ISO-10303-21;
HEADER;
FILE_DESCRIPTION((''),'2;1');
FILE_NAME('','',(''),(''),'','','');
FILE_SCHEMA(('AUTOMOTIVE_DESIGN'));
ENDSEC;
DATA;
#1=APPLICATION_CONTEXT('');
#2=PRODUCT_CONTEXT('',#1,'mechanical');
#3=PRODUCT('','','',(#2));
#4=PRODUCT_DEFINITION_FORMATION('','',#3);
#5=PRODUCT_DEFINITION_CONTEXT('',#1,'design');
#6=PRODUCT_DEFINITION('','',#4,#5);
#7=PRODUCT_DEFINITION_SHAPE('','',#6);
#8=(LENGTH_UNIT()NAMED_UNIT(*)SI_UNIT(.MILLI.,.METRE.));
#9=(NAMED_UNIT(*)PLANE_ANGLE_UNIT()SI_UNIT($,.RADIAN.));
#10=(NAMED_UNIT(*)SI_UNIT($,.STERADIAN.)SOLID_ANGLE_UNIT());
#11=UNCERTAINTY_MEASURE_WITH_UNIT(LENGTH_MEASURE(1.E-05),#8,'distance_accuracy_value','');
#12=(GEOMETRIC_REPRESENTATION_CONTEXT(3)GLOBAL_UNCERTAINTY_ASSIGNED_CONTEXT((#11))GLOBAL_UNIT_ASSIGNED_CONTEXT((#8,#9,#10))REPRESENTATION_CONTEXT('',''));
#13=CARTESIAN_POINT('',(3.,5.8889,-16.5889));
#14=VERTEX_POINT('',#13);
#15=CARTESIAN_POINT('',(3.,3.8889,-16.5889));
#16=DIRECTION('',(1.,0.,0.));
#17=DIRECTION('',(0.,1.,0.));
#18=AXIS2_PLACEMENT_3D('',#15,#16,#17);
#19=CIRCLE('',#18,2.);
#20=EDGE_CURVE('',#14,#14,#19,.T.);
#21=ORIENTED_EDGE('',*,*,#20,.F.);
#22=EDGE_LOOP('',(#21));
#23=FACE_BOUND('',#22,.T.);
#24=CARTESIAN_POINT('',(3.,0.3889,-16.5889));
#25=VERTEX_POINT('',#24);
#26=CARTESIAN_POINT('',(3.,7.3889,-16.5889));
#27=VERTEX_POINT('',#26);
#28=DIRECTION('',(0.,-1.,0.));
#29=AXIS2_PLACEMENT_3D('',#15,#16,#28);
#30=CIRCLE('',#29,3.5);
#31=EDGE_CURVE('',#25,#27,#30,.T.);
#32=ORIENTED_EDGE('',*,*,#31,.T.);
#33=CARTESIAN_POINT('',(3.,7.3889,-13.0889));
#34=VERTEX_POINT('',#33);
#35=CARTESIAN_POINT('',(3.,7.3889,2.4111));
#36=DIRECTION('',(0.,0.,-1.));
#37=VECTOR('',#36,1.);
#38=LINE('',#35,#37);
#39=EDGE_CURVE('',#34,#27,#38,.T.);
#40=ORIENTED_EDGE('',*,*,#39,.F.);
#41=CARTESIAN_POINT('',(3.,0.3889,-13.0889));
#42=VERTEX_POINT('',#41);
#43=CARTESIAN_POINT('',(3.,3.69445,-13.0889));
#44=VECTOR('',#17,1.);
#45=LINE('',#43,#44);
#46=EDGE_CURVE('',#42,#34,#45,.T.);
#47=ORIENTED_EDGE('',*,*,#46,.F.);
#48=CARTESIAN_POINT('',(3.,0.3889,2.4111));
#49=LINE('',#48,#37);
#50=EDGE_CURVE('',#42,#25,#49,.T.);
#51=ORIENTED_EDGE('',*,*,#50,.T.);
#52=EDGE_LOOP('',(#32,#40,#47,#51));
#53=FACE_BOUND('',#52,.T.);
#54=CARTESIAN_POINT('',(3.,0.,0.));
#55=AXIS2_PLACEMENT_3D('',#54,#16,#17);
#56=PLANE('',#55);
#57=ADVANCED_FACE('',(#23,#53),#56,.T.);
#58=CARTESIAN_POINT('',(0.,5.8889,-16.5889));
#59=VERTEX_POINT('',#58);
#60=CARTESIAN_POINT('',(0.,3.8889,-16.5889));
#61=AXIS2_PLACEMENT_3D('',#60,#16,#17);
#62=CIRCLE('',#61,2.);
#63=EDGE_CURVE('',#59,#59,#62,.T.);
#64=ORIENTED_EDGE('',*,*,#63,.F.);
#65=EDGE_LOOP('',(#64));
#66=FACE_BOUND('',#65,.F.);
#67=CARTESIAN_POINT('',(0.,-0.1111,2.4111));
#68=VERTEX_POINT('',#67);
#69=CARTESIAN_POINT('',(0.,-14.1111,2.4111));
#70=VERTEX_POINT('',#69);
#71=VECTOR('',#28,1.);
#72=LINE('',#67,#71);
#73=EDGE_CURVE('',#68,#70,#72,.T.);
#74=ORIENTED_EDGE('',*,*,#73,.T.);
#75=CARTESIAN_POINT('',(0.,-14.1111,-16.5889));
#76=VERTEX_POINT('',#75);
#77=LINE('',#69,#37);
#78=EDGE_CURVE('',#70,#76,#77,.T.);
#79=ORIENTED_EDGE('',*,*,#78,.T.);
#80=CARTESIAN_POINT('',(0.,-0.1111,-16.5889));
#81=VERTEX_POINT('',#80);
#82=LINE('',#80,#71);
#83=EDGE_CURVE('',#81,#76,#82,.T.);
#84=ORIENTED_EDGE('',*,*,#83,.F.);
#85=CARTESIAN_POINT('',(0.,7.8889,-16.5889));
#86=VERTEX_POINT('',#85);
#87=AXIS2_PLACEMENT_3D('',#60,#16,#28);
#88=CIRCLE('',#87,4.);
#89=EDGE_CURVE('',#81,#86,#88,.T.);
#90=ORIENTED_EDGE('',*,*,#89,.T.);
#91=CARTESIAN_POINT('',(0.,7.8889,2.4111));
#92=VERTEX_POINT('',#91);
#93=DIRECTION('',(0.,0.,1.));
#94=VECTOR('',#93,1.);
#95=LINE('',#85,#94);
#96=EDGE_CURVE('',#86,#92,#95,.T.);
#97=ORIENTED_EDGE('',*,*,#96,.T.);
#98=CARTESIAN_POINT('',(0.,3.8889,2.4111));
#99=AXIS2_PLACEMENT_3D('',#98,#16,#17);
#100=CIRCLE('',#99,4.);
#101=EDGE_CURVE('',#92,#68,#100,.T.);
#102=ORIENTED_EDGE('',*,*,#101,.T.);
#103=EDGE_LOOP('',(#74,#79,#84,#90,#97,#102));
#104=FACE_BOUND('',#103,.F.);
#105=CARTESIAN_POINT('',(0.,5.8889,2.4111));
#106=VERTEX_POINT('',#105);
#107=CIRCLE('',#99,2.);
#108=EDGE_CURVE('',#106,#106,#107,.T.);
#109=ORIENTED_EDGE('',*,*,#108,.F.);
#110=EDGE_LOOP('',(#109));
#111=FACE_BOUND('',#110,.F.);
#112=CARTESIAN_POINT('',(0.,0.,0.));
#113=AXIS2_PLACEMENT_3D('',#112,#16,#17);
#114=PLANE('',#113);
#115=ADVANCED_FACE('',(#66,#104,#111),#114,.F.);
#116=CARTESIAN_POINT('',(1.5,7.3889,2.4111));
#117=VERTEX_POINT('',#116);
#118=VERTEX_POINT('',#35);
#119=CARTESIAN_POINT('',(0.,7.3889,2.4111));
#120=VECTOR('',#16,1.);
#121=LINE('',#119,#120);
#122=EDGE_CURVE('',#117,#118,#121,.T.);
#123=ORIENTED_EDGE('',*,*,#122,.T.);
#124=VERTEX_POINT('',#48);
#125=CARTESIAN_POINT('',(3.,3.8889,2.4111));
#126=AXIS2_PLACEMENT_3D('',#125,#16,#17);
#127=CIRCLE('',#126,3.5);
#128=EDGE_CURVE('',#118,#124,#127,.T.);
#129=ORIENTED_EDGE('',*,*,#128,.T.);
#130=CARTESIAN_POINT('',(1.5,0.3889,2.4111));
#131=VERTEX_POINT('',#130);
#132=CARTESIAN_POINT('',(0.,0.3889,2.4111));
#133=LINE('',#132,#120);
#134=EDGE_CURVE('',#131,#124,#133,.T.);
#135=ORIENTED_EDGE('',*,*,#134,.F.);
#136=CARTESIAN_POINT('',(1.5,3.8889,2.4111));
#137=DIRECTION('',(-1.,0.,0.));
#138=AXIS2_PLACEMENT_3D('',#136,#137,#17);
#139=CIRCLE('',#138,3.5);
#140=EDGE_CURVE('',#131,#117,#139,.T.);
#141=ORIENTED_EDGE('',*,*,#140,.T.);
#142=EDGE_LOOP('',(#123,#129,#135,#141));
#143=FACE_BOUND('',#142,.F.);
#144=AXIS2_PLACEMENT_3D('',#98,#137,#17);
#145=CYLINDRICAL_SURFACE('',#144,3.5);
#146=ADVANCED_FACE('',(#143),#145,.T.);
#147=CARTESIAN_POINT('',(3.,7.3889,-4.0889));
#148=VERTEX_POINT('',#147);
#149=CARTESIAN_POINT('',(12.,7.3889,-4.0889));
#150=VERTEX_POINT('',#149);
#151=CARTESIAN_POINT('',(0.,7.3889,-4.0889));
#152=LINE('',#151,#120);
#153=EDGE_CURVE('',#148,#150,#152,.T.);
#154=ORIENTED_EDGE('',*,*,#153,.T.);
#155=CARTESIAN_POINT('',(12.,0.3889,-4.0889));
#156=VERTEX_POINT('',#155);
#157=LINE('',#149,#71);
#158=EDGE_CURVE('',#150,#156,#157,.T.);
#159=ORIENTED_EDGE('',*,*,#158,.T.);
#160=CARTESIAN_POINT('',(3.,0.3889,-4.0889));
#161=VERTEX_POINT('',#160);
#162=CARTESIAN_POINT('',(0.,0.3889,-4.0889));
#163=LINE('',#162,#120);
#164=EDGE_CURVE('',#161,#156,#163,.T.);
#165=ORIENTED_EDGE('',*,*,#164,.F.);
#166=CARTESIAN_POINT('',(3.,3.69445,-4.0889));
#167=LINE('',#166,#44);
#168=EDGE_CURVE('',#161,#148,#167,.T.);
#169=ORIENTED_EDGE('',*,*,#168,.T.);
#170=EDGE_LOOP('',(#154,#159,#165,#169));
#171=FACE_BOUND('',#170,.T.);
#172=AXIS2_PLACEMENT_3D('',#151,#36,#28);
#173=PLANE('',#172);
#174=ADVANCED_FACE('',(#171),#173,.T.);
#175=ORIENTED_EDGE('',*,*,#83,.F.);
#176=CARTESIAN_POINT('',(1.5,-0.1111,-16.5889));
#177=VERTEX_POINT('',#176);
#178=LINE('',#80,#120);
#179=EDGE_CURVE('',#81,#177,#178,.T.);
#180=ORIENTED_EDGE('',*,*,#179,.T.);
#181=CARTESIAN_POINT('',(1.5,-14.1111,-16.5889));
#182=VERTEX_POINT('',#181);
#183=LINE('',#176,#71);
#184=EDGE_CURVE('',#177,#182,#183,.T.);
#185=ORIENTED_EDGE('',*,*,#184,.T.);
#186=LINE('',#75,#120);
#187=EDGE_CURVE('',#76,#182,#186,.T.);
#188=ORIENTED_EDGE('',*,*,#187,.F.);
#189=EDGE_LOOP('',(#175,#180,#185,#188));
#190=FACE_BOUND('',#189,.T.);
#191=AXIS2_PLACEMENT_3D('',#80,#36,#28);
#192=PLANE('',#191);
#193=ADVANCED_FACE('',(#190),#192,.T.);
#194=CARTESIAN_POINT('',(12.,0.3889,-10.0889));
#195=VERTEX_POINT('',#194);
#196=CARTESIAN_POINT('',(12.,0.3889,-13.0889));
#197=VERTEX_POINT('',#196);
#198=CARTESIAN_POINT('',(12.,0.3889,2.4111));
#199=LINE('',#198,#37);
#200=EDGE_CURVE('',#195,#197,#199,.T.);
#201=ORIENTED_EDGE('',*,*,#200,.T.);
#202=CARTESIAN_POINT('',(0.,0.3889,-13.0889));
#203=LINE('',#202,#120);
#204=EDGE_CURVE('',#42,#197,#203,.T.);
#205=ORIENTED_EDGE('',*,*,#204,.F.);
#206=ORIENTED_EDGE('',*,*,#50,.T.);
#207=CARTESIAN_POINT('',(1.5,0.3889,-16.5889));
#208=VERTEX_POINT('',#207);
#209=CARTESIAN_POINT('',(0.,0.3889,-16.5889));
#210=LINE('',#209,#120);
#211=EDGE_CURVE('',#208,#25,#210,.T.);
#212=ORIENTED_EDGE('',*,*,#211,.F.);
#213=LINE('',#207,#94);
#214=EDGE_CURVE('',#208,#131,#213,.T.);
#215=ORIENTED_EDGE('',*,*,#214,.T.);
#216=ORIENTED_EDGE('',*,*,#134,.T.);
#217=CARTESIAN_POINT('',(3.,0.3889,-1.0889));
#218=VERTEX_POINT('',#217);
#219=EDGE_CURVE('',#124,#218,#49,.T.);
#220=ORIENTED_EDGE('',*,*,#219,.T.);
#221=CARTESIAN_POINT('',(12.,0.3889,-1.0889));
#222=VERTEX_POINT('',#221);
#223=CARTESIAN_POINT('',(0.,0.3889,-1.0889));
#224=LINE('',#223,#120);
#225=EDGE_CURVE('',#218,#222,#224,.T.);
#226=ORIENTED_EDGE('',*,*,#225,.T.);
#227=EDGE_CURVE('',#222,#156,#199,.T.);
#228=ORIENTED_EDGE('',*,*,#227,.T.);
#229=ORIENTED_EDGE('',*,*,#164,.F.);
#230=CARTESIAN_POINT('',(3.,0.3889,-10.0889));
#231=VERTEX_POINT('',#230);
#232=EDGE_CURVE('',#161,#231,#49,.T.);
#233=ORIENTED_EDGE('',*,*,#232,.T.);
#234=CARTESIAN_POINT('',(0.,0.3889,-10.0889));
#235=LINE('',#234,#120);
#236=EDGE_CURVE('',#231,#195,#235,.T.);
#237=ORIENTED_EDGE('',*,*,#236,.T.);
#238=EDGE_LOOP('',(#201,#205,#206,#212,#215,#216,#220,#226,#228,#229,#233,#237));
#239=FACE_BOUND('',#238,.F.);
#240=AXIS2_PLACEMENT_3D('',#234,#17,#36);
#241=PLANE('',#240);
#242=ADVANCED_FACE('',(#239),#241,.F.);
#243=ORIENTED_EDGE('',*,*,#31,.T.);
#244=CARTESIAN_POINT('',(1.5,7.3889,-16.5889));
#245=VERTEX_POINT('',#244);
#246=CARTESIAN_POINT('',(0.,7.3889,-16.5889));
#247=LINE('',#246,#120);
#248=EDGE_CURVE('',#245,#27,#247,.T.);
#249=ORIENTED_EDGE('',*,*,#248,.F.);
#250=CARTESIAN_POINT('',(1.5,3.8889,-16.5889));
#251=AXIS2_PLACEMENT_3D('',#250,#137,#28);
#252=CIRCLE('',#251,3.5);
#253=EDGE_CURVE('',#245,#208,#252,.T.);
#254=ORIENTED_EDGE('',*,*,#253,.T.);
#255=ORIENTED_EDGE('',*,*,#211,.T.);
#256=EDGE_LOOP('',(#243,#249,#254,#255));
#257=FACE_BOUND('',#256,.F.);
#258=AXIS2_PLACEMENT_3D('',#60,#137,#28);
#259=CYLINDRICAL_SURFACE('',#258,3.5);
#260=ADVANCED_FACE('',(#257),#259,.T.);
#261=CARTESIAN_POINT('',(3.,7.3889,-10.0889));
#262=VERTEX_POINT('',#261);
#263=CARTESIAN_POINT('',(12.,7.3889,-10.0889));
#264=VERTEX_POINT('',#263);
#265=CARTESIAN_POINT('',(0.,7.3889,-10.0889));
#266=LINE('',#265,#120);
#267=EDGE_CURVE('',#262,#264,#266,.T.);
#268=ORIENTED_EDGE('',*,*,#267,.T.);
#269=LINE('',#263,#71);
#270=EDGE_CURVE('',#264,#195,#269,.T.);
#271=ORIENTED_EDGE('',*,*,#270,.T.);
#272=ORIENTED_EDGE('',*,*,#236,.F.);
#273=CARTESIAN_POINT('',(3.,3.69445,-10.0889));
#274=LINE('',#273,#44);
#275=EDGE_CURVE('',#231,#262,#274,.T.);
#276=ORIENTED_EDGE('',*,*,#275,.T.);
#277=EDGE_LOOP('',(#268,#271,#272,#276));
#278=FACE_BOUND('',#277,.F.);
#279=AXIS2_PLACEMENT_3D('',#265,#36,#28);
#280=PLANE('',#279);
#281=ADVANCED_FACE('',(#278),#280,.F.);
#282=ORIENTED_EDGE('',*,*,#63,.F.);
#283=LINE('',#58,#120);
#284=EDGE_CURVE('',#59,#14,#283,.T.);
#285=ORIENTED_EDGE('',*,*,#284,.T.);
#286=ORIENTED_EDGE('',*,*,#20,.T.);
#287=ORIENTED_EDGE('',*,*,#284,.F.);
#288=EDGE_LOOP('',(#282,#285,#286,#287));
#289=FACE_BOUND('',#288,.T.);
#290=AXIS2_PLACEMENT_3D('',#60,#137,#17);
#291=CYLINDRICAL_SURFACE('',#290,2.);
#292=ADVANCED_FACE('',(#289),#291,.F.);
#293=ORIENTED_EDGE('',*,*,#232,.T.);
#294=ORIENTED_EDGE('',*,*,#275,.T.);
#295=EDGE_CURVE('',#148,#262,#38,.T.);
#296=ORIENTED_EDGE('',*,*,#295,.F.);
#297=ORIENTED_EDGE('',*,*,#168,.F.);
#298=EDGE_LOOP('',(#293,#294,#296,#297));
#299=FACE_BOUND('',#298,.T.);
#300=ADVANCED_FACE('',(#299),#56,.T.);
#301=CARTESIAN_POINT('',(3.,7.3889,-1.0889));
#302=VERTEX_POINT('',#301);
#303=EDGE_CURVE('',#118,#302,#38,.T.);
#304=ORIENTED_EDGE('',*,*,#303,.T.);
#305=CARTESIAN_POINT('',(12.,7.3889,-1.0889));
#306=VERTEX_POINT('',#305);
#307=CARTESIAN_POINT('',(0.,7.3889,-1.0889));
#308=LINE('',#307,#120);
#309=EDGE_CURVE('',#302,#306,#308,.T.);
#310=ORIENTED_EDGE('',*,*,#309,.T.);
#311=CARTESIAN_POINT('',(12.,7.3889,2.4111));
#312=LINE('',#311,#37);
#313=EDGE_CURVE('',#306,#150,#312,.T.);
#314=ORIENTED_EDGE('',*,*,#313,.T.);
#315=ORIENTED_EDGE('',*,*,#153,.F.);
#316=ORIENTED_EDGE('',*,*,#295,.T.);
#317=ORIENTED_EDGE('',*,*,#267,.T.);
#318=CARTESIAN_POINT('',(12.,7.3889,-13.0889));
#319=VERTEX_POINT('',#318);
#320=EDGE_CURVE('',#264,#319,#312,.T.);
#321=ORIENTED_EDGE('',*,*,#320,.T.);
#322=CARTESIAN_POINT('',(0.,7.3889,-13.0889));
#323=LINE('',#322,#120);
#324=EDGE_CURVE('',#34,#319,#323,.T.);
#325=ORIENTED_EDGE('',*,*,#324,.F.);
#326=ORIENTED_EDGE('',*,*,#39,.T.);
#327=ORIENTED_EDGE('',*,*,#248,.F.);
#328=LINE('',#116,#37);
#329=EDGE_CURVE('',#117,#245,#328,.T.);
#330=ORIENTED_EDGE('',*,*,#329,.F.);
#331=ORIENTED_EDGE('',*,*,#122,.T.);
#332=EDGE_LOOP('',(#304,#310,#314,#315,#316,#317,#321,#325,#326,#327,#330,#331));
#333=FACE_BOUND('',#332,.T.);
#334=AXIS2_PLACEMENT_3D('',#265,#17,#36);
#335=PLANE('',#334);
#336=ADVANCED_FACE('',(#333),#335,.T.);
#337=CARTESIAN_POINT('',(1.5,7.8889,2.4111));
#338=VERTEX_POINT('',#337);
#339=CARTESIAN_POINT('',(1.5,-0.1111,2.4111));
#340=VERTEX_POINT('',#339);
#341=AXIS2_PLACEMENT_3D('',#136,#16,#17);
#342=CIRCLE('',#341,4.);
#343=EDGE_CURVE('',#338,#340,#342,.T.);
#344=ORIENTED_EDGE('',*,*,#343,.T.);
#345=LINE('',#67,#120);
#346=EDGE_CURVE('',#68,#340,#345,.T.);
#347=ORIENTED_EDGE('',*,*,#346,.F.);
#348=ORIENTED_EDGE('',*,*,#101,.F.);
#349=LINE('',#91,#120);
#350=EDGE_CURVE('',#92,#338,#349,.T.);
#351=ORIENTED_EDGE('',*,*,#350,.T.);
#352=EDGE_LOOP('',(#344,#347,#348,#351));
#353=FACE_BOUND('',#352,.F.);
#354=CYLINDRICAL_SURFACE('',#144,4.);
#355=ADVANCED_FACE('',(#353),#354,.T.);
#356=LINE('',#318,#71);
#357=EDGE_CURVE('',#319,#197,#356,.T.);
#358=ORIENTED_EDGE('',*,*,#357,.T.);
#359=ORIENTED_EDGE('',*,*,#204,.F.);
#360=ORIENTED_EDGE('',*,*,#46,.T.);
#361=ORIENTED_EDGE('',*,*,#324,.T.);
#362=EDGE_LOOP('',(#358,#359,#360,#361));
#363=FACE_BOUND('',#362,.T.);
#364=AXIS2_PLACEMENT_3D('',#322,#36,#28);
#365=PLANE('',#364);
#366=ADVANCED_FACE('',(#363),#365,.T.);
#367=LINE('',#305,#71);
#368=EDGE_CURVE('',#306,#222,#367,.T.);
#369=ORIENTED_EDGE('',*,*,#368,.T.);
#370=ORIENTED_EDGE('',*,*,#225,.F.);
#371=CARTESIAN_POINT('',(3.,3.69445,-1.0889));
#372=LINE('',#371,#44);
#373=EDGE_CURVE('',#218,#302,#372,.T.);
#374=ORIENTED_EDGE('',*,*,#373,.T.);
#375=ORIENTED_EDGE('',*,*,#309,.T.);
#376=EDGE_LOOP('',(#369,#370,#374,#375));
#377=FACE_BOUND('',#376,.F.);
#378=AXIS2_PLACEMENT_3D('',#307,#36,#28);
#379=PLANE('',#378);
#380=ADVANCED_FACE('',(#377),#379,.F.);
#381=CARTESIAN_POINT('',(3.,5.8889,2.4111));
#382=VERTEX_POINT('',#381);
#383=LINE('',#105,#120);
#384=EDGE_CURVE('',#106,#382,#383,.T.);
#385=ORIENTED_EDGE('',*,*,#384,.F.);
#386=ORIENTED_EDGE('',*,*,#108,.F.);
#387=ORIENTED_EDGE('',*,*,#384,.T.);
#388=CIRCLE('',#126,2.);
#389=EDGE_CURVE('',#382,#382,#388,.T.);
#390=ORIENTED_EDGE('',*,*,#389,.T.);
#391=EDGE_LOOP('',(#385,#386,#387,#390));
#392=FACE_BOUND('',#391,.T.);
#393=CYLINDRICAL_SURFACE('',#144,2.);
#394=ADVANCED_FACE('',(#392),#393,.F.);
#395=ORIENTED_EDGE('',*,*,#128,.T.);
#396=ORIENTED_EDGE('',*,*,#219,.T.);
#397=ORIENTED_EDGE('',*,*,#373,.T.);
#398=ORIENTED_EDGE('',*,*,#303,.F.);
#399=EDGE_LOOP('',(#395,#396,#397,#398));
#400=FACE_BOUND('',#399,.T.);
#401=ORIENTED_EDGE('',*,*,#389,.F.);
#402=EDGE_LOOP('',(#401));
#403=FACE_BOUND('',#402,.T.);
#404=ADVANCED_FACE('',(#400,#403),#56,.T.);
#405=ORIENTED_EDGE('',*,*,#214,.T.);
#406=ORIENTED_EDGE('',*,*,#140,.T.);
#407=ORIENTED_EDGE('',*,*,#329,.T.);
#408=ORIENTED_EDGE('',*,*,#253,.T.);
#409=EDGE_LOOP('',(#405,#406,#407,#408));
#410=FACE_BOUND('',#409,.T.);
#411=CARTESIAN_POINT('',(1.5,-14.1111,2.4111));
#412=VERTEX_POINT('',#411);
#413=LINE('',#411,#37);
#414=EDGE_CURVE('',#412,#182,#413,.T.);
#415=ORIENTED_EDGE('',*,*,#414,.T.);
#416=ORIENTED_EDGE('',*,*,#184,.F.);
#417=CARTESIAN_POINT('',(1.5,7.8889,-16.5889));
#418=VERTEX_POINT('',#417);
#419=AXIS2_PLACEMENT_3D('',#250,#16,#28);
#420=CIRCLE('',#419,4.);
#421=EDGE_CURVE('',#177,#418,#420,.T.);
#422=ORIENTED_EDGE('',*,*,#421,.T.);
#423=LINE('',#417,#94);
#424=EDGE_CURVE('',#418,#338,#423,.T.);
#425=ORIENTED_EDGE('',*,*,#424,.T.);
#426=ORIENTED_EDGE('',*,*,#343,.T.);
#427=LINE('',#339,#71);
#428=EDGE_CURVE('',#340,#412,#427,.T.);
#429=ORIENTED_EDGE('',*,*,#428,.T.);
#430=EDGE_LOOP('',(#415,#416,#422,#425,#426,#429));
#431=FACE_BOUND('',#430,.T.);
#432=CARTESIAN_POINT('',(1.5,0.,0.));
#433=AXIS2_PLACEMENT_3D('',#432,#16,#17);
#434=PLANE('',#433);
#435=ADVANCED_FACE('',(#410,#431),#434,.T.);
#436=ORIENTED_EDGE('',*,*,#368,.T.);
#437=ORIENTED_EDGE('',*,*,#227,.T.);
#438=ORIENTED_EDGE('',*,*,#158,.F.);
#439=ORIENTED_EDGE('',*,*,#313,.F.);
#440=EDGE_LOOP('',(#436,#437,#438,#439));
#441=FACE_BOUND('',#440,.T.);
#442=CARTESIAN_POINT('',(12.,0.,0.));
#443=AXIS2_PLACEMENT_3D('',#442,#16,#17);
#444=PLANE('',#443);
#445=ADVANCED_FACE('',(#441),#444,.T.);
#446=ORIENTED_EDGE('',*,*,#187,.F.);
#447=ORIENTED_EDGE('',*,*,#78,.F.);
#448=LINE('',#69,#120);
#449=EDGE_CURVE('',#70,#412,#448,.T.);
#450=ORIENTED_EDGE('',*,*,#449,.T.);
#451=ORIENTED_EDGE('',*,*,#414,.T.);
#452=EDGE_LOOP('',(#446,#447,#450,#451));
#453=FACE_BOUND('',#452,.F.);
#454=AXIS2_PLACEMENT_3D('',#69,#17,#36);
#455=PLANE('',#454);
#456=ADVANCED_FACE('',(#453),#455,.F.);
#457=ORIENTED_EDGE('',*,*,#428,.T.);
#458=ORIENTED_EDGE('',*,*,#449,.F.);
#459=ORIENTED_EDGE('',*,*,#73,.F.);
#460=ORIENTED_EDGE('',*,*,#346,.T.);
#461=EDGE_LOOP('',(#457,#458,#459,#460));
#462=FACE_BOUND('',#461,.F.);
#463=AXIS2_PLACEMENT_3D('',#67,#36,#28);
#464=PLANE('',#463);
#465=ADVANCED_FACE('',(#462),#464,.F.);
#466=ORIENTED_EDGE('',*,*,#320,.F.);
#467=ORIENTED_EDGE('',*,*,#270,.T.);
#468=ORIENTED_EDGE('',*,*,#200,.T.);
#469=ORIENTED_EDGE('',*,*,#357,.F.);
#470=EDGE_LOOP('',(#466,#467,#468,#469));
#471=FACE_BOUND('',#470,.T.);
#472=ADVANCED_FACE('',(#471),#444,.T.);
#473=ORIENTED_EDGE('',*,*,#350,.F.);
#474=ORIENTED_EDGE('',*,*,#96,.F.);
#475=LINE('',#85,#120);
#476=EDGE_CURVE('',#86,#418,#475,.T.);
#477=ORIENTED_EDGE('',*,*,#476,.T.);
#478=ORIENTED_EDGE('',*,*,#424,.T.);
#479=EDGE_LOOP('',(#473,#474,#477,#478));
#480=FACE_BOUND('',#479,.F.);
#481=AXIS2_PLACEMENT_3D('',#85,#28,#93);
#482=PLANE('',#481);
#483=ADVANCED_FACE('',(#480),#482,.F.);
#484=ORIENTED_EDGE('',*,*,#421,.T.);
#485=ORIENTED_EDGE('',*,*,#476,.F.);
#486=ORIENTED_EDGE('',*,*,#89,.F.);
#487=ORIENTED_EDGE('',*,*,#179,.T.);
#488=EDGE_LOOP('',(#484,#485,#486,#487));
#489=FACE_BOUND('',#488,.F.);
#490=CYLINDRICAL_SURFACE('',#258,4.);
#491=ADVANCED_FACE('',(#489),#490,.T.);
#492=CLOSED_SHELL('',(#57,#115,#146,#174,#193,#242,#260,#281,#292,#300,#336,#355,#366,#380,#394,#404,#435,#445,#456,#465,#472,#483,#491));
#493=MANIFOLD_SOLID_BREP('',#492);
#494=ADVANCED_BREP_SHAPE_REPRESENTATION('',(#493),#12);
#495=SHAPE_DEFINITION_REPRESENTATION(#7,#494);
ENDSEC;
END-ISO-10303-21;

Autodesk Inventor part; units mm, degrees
ref_plane "YZ Plane" through (0, 0, 0) normal (1, 0, 0) x (0, 1, 0)
ref_plane "XZ Plane" through (0, 0, 0) normal (0, 1, 0) x (-1, 0, 0)
ref_plane "XY Plane" through (0, 0, 0) normal (0, 0, 1) x (1, 0, 0)
sketch "Sketch1" plane through (0, 0, 0) normal (1, 0, 0) x (0, 1, 0)
  line L0 (-14.1111, 2.4111) -> (-14.1111, -16.5889)
  line L1 (7.8889, -16.5889) -> (7.8889, 2.4111)
  arc A0 (7.8889, 2.4111) -> (-0.1111, 2.4111) centre (3.8889, 2.4111) ccw
  arc A1 (-0.1111, -16.5889) -> (7.8889, -16.5889) centre (3.8889, -16.5889) ccw
  line L2 (-0.1111, 2.4111) -> (-14.1111, 2.4111)
  line L3 (-0.1111, -16.5889) -> (-14.1111, -16.5889)
  line L4 (7.3889, -10.0889) -> (0.3889, -10.0889)
  line L5 (7.3889, -13.0889) -> (0.3889, -13.0889)
  line L6 (7.3889, -4.0889) -> (0.3889, -4.0889)
  line L7 (7.3889, -1.0889) -> (0.3889, -1.0889)
  line L8 (7.3889, 2.4111) -> (7.3889, -16.5889)
  arc A2 (0.3889, -16.5889) -> (7.3889, -16.5889) centre (3.8889, -16.5889) ccw
  arc A3 (7.3889, 2.4111) -> (0.3889, 2.4111) centre (3.8889, 2.4111) ccw
  line L9 (0.3889, 2.4111) -> (0.3889, -16.5889)
  circle A4 centre (3.8889, 2.4111) radius 2
  circle A5 centre (3.8889, -16.5889) radius 2
  point P0 (0, 0)
  dimension "d5" = 0.5
  dimension "d6" = 4
  dimension "d7" = 4
extrude "Extrusion1" add sketch "Sketch1" along normal blind 1.5 contours L2 A0 L1 A1 L3 L0 | L8 L5 L9 L4 | L4 L9 L6 L8 | L6 L9 L7 L8 | L8 A2 L9 L5 | L7 L9 A3 L8
extrude "Extrusion2" add sketch "Sketch1" along normal blind 3 contours L8 L5 L9 L4 | L4 L9 L6 L8 | L6 L9 L7 L8 | L8 A2 L9 L5 | L7 L9 A3 L8
extrude "Extrusion3" add sketch "Sketch1" along normal blind 12 contours L8 L5 L9 L4 | L6 L9 L7 L8
properties part number "HC020K"
